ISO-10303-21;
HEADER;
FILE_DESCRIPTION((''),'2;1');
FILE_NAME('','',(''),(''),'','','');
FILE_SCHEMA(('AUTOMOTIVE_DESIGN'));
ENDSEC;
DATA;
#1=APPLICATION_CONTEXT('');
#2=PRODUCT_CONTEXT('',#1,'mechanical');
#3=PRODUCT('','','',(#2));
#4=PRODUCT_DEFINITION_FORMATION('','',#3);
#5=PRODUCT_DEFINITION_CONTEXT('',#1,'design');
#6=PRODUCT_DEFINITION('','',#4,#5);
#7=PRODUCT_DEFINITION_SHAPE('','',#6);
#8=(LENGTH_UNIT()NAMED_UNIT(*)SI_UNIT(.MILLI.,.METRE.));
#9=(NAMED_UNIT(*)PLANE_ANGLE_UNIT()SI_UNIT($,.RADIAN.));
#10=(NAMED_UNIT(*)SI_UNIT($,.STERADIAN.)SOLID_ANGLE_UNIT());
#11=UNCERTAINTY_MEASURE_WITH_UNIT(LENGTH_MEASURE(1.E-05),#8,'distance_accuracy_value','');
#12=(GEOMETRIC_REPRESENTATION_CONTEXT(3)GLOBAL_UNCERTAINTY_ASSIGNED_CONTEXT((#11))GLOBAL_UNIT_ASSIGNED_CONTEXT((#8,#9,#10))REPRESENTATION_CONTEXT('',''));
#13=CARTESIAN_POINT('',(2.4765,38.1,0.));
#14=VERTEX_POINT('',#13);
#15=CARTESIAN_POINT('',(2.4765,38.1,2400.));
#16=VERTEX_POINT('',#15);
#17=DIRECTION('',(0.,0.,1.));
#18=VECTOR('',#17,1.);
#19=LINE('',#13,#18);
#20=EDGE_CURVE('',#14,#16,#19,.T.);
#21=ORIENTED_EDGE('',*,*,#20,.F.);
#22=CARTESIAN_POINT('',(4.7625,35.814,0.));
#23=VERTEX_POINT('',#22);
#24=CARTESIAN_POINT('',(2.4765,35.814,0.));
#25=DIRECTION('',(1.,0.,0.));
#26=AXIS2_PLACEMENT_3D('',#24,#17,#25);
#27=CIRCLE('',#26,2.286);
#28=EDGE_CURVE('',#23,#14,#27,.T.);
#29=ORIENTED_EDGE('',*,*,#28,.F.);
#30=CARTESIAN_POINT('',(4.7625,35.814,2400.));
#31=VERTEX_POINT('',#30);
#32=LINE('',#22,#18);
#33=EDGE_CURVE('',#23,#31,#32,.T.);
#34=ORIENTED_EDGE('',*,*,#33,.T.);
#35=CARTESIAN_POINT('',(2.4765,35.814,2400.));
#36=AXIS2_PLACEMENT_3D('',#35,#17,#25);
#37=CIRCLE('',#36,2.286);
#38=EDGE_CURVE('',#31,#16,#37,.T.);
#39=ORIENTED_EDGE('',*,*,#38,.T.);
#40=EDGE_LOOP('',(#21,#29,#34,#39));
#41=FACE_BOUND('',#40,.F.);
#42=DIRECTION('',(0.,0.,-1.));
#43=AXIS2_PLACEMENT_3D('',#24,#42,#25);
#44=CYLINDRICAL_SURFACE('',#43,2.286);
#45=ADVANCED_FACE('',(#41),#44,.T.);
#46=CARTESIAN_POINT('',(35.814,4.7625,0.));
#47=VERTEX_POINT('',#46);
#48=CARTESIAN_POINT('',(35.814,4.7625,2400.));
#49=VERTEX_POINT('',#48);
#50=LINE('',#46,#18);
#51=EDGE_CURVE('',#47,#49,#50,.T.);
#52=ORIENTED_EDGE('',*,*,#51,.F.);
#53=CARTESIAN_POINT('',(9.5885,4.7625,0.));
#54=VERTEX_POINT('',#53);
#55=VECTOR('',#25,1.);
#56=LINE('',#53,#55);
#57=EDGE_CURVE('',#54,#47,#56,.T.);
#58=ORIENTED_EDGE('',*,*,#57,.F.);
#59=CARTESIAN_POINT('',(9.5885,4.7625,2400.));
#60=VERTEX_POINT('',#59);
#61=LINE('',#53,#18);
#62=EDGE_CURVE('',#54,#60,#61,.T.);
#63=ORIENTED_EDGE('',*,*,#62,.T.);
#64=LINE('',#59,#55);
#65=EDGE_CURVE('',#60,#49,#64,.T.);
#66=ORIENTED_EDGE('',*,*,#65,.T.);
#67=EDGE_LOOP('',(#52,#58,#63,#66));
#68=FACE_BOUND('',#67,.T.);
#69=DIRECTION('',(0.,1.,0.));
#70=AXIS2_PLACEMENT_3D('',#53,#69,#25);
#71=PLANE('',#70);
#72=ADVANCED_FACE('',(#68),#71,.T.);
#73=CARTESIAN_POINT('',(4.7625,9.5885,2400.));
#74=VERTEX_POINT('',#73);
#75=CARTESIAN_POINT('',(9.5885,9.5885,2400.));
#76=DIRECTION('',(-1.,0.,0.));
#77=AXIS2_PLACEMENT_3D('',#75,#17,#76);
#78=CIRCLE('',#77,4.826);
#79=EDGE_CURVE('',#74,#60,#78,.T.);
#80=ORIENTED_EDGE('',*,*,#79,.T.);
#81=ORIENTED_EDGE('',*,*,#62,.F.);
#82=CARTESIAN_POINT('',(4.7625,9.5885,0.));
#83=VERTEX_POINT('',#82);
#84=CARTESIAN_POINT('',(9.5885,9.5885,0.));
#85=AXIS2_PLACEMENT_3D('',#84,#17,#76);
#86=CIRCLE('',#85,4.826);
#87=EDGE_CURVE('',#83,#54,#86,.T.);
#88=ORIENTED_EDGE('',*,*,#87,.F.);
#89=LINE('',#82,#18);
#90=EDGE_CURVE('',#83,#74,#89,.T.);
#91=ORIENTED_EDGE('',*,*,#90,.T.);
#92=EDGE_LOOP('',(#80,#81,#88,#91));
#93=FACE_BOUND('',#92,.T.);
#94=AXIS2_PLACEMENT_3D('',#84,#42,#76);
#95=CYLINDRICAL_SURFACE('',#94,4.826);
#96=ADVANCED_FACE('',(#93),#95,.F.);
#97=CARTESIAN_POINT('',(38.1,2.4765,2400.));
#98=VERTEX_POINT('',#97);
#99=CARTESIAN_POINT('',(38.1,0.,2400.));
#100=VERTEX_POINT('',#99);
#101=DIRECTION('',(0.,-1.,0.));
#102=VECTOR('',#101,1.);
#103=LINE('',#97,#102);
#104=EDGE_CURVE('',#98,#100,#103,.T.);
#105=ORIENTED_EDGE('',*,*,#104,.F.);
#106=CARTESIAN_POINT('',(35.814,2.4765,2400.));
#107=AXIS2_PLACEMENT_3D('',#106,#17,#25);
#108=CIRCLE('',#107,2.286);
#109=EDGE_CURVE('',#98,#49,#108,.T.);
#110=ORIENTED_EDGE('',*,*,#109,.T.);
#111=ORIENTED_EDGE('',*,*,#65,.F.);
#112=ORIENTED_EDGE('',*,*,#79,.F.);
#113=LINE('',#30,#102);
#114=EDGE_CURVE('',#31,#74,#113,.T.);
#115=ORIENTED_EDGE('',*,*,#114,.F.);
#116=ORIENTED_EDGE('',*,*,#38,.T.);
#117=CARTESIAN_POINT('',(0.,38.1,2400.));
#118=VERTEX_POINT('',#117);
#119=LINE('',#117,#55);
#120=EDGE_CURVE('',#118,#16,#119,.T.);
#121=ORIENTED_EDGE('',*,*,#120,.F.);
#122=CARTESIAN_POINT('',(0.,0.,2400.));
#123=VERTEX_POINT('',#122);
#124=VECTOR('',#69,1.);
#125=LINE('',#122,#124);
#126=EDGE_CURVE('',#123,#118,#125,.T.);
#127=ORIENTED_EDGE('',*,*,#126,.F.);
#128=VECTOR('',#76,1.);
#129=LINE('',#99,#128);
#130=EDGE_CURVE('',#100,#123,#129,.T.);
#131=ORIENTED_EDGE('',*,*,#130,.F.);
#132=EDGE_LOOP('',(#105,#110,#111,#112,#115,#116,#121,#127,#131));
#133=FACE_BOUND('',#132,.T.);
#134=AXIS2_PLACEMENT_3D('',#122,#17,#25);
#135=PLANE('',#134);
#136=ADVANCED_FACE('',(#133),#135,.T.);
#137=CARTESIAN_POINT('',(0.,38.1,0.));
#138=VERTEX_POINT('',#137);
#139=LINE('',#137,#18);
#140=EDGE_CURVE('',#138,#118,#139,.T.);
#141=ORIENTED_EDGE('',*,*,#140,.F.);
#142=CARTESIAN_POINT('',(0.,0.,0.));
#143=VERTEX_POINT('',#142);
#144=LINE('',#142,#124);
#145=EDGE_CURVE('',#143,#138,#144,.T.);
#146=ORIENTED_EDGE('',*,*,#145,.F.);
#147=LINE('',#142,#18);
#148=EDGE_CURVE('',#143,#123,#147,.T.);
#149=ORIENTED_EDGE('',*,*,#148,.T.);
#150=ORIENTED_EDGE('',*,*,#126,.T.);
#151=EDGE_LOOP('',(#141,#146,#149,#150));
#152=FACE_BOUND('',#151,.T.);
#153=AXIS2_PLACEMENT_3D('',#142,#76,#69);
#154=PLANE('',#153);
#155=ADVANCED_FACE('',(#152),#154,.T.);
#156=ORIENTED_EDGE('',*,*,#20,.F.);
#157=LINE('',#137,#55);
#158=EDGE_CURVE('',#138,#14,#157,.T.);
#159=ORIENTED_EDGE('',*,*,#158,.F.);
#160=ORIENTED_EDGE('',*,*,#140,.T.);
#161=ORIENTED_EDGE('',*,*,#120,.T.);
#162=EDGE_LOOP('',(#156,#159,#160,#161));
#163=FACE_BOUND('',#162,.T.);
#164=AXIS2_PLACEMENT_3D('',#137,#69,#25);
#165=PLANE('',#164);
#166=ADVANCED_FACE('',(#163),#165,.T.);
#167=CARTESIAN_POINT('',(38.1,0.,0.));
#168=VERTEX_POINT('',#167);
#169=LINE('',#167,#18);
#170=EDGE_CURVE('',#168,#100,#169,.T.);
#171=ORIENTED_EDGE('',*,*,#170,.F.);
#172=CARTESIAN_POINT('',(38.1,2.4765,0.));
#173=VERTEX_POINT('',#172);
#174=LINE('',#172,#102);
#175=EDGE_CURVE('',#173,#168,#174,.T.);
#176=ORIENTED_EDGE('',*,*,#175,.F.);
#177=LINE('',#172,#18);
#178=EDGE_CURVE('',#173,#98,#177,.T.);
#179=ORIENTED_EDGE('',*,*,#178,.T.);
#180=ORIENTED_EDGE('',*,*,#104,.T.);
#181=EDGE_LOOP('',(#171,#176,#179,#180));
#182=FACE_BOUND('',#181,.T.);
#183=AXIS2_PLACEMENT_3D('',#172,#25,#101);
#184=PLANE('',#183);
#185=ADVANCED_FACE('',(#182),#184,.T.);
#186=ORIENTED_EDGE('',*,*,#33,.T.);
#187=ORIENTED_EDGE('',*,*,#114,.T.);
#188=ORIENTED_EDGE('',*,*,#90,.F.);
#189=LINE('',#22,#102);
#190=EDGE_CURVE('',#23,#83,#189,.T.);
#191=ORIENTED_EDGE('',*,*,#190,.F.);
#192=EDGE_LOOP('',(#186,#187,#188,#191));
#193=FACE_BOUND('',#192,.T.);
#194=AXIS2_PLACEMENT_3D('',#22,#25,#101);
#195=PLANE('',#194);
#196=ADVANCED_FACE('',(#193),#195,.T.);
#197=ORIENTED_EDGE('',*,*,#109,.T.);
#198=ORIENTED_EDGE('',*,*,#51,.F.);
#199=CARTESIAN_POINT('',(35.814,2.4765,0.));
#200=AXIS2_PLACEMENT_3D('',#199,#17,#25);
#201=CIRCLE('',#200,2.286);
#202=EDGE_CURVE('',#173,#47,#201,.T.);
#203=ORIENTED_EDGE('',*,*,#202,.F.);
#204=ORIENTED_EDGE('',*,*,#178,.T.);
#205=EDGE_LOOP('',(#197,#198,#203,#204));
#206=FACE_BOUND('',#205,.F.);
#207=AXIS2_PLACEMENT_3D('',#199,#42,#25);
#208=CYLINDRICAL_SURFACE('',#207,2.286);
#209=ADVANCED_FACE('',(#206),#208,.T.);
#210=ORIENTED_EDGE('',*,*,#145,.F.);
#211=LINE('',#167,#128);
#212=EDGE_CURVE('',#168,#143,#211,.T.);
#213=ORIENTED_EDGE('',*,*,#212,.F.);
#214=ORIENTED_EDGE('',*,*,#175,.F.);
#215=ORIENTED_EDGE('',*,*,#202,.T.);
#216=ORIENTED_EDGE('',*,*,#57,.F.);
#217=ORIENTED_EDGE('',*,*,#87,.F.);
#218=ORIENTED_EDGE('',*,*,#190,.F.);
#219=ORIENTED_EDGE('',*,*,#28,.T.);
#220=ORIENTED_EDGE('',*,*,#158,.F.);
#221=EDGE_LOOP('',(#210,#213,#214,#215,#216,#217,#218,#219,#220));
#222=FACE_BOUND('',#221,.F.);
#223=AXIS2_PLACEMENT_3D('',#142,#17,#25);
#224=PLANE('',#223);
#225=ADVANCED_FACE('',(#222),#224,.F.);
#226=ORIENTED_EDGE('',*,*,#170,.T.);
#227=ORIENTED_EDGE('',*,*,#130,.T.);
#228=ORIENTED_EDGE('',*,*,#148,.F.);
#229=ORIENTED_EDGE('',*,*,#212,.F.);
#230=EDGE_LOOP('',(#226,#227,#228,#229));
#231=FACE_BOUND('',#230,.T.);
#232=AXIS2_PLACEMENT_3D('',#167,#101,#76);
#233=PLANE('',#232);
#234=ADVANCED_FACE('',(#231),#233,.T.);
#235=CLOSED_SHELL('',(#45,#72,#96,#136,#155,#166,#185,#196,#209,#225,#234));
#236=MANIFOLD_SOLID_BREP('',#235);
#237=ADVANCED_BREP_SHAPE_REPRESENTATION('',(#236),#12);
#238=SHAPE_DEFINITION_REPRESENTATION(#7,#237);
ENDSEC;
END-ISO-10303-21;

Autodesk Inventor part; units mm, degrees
ref_plane "Plano inicial" through (0, 0, 0) normal (0, 0, 1) x (1, 0, 0)
ref_plane "Plano final" through (0, 0, 2400) normal (0, 0, 1) x (1, 0, 0)
sketch "Boceto" plane through (0, 0, 0) normal (0, 0, 1) x (1, 0, 0)
  line L0 (38.1, 0) -> (0, 0)
  line L1 (0, 0) -> (0, 38.1)
  line L2 (0, 38.1) -> (2.4765, 38.1)
  line L3 (4.7625, 35.814) -> (4.7625, 9.5885)
  line L4 (9.5885, 4.7625) -> (35.814, 4.7625)
  line L5 (38.1, 2.4765) -> (38.1, 0)
  line L6 (0, -11.0414) -> (0, 31.5385) construction
  line L7 (-11.0414, 0) -> (31.5385, 0) construction
  arc A0 (4.7625, 9.5885) -> (9.5885, 4.7625) centre (9.5885, 9.5885) ccw
  arc A1 (4.7625, 35.814) -> (2.4765, 38.1) centre (2.4765, 35.814) ccw
  arc A2 (38.1, 2.4765) -> (35.814, 4.7625) centre (35.814, 2.4765) ccw
  line L8 (0, 48.4964) -> (0, -20.9644) construction
  line L9 (-20.9644, 0) -> (48.4964, 0) construction
  point P0 (4.7625, 38.1)
  point P1 (4.7625, 4.7625)
  point P2 (38.1, 4.7625)
  dimension "d0" = 38.1
  dimension "d1" = 38.1
  dimension "d2" = 4.7625
  dimension "d3" = 4.7625
  dimension "d10" = 0
  dimension "d11" = 0
  dimension "d14" = 4.826
  dimension "d15" = 2.286
extrude "Cuerpo" add sketch "Boceto" along normal up to surface (2400 mm away) from surface at 0
sketch "Sketch3" plane through (0, 0, 0) normal (0, 0, 1) x (1, 0, 0)
  line L0 (0, 0) -> (10, 0)
ref_plane "Work Plane3" through (0, 0, 0) normal (0, -1, 0) x (1, 0, 0)
sketch "Sketch4" plane through (0, 0, 0) normal (0, -1, 0) x (1, 0, 0)
  line L0 (-2, 0) -> (12, 0)
  line L1 (-2, 2400) -> (12, 2400)
  dimension "d17" = 2400
sketch "Boceto5" plane through (0, 0, 2400) normal (0, 0, 1) x (1, 0, 0)
  circle A0 centre (0, 0) radius 44.3675
ref_plane "Plano de trabajo4" through (4.8672, 4.8672, 1401) normal (0, 0, 1) x (1, 0, 0)
equation "\"d0\" = G_H"
equation "\"d1\" = G_H"
equation "\"d2\" = G_T"
equation "\"d3\" = G_T"
equation "\"d14\" = G_IR"
equation "\"d15\" = G_ER"
equation "\"d4\" = G_L"
equation "\"G_H\" = 38.1"
equation "\"G_T\" = 4.7625"
equation "\"G_ER\" = 2.286"
equation "\"G_IR\" = 4.826"
equation "\"G_L\" = d17"
equation "\"ex\" = 0"
equation "\"G_OFFSET_START\" = 0"
equation "\"G_OFFSET_END\" = 0"
properties part number "AISC - L 1,5 x 1,5 x 3/16 - 94,488" material "Acero, suave"
